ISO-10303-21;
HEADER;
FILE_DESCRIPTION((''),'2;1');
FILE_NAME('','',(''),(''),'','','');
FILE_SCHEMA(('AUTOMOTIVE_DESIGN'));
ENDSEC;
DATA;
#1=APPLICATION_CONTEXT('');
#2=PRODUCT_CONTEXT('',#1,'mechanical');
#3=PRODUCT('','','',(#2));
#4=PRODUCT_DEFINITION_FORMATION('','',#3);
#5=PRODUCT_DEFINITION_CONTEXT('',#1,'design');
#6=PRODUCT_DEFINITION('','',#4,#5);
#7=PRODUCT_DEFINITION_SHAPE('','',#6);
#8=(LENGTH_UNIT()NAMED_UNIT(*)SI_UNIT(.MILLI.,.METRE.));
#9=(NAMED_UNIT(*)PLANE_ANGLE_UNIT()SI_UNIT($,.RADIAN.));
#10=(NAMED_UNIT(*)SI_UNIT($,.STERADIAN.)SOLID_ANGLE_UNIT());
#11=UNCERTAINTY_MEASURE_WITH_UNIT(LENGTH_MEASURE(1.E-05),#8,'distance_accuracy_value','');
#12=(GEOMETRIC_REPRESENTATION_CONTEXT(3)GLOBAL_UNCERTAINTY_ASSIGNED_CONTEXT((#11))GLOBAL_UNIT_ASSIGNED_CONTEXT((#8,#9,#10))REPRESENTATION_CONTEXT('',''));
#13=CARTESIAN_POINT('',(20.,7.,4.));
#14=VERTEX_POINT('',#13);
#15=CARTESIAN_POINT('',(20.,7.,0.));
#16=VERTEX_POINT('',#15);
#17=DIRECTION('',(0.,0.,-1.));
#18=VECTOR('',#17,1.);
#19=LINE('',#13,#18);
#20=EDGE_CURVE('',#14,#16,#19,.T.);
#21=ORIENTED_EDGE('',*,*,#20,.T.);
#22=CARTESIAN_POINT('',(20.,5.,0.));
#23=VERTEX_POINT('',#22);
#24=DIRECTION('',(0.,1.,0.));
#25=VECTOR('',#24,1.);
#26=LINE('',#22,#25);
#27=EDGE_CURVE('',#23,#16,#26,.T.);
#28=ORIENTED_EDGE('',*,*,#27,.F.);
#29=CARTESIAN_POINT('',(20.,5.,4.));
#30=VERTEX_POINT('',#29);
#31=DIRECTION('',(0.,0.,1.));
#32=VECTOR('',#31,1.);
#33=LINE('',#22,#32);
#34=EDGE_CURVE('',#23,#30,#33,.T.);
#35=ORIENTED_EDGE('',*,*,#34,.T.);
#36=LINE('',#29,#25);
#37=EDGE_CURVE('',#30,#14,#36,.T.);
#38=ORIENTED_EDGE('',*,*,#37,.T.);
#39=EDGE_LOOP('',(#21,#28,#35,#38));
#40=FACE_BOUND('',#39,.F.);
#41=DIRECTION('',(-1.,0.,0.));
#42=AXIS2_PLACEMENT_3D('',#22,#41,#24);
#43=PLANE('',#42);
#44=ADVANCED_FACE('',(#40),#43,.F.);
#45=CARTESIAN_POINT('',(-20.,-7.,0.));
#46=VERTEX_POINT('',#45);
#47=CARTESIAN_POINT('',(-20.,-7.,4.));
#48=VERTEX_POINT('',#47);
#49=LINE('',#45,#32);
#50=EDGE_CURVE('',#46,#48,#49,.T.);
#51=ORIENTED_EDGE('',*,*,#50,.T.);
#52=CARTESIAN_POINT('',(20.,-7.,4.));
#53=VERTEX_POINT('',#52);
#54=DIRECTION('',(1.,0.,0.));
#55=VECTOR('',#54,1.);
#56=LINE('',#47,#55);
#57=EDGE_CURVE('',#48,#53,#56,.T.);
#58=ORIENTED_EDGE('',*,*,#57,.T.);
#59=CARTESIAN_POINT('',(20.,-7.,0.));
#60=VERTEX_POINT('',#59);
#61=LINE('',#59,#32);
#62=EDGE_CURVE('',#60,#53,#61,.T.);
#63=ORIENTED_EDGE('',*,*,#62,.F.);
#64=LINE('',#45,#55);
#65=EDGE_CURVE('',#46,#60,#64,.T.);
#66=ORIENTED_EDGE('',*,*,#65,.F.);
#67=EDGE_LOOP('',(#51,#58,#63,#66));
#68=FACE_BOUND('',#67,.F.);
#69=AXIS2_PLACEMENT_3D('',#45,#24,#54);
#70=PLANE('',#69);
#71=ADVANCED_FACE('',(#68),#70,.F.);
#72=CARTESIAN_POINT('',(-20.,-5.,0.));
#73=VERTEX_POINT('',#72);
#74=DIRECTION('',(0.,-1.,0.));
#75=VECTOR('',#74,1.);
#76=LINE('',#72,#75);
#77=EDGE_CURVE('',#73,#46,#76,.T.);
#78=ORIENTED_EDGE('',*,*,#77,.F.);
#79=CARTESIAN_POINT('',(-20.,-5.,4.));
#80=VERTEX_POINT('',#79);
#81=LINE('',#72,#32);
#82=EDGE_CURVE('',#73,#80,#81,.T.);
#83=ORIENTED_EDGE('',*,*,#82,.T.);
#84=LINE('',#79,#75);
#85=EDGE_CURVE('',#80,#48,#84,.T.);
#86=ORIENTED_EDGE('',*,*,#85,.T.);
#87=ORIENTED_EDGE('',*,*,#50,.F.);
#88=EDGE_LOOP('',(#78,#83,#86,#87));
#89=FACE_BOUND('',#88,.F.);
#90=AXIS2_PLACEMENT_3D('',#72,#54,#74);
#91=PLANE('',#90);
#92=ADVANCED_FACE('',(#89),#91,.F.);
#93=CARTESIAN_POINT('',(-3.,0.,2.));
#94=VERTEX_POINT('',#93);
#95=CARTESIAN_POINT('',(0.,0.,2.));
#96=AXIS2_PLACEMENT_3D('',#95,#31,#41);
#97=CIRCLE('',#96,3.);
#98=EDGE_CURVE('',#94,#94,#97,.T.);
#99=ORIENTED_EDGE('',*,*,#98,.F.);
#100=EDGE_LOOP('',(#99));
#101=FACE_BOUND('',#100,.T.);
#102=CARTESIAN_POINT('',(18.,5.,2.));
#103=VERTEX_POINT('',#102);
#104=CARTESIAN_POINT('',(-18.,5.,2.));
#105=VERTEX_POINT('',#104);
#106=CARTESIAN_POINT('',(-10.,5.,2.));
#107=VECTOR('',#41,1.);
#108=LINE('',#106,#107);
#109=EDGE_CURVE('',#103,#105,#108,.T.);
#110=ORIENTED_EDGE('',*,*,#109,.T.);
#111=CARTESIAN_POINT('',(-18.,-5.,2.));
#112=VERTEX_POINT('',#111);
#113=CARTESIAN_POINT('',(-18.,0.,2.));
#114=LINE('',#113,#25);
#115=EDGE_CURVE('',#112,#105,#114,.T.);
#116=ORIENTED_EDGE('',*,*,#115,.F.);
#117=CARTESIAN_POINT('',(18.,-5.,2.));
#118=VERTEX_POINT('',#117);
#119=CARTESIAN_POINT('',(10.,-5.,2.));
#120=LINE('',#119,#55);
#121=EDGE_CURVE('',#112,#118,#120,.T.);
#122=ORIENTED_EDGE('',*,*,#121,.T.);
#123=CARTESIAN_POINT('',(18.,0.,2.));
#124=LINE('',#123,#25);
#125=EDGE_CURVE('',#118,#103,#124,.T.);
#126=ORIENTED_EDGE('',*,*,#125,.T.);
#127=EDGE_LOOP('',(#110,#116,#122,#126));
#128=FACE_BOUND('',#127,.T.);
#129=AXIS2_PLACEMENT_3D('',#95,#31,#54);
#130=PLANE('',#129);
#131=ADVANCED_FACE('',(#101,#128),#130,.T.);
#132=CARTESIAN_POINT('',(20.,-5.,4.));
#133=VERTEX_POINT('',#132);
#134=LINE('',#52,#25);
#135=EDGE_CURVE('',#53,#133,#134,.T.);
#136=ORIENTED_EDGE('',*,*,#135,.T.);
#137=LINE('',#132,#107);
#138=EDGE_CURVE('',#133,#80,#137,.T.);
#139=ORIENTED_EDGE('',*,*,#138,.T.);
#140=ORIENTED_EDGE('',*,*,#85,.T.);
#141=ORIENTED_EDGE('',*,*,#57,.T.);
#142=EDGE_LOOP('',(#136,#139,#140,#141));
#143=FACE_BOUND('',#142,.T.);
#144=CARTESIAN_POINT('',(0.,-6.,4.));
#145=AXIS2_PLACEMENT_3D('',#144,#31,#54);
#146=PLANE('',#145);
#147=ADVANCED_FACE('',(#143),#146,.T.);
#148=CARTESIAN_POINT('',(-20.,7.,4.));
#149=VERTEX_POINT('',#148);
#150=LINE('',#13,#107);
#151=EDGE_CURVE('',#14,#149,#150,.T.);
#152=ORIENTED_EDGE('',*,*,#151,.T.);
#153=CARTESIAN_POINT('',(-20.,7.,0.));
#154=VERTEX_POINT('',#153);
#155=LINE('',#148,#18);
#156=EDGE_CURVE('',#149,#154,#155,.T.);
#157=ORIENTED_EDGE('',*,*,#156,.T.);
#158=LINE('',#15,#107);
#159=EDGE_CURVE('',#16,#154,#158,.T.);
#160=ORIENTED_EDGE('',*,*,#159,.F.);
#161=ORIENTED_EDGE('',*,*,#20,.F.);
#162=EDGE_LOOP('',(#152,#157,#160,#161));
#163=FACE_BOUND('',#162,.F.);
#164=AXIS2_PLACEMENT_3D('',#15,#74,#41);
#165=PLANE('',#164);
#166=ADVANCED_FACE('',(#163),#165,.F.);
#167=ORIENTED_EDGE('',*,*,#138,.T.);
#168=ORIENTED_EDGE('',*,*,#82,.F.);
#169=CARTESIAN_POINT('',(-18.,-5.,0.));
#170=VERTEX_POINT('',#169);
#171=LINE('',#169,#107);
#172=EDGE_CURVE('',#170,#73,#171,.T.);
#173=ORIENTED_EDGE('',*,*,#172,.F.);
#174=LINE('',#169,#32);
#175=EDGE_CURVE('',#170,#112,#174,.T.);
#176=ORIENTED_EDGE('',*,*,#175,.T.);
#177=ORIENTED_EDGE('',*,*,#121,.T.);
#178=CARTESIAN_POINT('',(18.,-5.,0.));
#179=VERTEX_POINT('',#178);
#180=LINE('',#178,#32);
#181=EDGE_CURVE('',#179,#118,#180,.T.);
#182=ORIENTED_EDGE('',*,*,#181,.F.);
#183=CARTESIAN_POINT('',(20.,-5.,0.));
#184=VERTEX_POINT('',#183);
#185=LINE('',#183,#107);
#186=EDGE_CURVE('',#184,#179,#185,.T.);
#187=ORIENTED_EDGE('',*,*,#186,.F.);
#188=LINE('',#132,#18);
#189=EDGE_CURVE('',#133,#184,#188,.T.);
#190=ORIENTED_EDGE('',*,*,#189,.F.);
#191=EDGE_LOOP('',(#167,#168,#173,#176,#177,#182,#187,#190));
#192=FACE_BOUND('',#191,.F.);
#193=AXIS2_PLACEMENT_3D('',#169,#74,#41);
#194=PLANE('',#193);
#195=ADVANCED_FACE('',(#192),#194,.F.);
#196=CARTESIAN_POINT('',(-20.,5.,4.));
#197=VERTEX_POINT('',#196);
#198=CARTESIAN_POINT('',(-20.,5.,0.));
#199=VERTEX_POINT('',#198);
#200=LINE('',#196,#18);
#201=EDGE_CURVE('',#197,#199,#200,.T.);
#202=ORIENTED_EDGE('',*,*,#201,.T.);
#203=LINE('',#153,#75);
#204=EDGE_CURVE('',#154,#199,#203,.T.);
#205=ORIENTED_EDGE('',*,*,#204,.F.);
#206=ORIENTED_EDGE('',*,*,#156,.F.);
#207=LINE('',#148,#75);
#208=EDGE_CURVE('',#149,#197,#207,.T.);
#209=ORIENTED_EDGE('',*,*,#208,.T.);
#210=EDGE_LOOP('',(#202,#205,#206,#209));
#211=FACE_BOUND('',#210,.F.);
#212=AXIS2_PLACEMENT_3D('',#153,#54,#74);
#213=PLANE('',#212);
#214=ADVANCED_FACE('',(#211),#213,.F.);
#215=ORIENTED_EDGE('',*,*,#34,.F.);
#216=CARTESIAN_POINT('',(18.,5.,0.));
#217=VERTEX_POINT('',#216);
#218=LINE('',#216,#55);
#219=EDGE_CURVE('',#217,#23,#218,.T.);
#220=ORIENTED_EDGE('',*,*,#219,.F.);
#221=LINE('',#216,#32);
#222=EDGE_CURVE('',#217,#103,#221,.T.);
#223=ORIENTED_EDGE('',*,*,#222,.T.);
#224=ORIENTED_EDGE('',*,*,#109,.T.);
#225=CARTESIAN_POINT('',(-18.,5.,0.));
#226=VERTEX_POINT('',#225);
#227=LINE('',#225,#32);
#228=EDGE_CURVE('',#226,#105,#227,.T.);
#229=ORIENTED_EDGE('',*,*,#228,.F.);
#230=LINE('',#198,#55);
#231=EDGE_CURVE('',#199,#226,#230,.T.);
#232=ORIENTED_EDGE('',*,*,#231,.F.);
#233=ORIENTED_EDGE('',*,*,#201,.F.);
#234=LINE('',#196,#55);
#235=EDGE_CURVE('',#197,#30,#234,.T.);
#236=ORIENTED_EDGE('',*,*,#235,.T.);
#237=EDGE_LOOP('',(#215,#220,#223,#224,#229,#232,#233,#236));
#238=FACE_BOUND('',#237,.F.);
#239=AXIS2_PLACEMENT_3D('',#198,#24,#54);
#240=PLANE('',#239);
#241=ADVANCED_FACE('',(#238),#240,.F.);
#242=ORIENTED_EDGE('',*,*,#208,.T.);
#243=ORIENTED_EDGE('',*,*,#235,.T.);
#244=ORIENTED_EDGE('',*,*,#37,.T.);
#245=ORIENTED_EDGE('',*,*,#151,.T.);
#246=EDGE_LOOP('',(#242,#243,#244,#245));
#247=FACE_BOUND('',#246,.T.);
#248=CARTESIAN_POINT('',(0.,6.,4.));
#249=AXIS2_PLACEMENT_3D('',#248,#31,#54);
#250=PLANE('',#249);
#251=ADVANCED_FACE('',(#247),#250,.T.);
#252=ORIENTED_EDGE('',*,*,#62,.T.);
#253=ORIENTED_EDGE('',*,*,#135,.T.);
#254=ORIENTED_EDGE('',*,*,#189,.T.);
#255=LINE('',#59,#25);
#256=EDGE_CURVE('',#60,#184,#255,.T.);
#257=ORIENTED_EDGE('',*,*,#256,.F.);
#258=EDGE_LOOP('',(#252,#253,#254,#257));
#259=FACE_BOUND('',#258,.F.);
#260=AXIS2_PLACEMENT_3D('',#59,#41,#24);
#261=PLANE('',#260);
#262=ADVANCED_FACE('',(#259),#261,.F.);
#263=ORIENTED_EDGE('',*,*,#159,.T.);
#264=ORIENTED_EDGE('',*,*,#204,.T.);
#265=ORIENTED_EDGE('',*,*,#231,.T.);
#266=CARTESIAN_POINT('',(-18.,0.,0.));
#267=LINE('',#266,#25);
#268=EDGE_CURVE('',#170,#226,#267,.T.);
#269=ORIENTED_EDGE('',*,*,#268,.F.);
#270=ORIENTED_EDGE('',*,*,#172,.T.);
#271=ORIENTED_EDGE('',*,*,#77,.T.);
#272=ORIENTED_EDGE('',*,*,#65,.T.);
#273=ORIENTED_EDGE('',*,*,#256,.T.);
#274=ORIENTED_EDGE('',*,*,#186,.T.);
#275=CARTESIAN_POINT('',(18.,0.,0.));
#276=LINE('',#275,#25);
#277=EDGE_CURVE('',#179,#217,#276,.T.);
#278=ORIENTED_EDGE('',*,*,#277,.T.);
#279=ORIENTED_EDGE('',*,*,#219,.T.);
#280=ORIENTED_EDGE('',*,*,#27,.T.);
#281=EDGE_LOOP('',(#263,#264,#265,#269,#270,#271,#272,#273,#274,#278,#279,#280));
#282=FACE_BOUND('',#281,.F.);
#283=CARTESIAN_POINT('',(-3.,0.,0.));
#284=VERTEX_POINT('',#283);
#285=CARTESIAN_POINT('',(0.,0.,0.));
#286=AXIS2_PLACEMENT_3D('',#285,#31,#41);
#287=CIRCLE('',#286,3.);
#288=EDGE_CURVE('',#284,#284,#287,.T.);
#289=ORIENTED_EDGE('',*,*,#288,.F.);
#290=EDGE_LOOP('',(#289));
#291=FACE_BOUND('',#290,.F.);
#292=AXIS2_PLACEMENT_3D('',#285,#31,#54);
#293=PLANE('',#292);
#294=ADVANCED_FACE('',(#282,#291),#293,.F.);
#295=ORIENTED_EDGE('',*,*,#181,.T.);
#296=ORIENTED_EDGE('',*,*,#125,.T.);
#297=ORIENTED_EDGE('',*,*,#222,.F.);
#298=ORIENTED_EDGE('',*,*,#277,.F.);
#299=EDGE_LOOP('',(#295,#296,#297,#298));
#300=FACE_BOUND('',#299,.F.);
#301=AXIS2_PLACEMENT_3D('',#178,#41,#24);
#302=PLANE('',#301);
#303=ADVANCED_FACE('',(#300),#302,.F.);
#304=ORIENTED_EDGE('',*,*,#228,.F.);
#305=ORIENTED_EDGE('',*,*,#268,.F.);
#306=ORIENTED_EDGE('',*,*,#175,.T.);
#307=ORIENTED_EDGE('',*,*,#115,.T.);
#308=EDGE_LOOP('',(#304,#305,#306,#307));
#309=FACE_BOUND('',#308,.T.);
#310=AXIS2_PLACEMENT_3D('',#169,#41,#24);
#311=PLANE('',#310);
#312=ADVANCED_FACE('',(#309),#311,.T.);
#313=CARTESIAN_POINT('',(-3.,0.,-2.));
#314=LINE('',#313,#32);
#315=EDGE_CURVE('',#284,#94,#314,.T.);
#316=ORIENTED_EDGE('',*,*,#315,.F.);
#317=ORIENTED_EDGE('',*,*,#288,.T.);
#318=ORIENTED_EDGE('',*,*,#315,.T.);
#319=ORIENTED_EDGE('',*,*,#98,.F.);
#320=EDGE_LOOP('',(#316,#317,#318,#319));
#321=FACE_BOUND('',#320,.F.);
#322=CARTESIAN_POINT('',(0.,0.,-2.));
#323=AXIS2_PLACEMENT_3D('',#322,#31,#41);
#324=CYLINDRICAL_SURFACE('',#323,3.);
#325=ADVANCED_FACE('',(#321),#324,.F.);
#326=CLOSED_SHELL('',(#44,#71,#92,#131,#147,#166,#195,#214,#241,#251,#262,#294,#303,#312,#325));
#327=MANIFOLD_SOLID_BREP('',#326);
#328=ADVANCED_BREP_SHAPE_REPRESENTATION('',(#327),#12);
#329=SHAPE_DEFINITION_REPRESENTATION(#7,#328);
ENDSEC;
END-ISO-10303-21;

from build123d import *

# Parameters (mm, degrees)
F0_W     = 36
F0_H     = 10
F1_DEPTH = 2
F2_DEPTH = 4
F4_D     = 6
F4_DEPTH = 2


with BuildPart() as f1:
    # F0 (on Top) → F1 (new body)
    with BuildSketch(Plane.XY):
        Rectangle(F0_W, F0_H)
        Polygon((20, 7), (-20, 7), (-20, 5), (-18, 5), (18, 5), (20, 5), align=None)
        Polygon((-18, -5), (-20, -5), (-20, -7), (20, -7), (20, -5), (18, -5), align=None)
    extrude(amount=F1_DEPTH)

    # F0 (on Top) → F2 (join)
    with BuildSketch(Plane.XY):
        Polygon((20, 7), (-20, 7), (-20, 5), (-18, 5), (18, 5), (20, 5), align=None)
        Polygon((-18, -5), (-20, -5), (-20, -7), (20, -7), (20, -5), (18, -5), align=None)
    extrude(amount=F2_DEPTH)

    # F4
    with Locations(Plane(origin=(0, 0, 0), x_dir=(1, 0, 0), z_dir=(0, 0, -1))):
        with Locations((0, 0)):
            Hole(F4_D / 2, depth=F4_DEPTH)


solid = f1.part
